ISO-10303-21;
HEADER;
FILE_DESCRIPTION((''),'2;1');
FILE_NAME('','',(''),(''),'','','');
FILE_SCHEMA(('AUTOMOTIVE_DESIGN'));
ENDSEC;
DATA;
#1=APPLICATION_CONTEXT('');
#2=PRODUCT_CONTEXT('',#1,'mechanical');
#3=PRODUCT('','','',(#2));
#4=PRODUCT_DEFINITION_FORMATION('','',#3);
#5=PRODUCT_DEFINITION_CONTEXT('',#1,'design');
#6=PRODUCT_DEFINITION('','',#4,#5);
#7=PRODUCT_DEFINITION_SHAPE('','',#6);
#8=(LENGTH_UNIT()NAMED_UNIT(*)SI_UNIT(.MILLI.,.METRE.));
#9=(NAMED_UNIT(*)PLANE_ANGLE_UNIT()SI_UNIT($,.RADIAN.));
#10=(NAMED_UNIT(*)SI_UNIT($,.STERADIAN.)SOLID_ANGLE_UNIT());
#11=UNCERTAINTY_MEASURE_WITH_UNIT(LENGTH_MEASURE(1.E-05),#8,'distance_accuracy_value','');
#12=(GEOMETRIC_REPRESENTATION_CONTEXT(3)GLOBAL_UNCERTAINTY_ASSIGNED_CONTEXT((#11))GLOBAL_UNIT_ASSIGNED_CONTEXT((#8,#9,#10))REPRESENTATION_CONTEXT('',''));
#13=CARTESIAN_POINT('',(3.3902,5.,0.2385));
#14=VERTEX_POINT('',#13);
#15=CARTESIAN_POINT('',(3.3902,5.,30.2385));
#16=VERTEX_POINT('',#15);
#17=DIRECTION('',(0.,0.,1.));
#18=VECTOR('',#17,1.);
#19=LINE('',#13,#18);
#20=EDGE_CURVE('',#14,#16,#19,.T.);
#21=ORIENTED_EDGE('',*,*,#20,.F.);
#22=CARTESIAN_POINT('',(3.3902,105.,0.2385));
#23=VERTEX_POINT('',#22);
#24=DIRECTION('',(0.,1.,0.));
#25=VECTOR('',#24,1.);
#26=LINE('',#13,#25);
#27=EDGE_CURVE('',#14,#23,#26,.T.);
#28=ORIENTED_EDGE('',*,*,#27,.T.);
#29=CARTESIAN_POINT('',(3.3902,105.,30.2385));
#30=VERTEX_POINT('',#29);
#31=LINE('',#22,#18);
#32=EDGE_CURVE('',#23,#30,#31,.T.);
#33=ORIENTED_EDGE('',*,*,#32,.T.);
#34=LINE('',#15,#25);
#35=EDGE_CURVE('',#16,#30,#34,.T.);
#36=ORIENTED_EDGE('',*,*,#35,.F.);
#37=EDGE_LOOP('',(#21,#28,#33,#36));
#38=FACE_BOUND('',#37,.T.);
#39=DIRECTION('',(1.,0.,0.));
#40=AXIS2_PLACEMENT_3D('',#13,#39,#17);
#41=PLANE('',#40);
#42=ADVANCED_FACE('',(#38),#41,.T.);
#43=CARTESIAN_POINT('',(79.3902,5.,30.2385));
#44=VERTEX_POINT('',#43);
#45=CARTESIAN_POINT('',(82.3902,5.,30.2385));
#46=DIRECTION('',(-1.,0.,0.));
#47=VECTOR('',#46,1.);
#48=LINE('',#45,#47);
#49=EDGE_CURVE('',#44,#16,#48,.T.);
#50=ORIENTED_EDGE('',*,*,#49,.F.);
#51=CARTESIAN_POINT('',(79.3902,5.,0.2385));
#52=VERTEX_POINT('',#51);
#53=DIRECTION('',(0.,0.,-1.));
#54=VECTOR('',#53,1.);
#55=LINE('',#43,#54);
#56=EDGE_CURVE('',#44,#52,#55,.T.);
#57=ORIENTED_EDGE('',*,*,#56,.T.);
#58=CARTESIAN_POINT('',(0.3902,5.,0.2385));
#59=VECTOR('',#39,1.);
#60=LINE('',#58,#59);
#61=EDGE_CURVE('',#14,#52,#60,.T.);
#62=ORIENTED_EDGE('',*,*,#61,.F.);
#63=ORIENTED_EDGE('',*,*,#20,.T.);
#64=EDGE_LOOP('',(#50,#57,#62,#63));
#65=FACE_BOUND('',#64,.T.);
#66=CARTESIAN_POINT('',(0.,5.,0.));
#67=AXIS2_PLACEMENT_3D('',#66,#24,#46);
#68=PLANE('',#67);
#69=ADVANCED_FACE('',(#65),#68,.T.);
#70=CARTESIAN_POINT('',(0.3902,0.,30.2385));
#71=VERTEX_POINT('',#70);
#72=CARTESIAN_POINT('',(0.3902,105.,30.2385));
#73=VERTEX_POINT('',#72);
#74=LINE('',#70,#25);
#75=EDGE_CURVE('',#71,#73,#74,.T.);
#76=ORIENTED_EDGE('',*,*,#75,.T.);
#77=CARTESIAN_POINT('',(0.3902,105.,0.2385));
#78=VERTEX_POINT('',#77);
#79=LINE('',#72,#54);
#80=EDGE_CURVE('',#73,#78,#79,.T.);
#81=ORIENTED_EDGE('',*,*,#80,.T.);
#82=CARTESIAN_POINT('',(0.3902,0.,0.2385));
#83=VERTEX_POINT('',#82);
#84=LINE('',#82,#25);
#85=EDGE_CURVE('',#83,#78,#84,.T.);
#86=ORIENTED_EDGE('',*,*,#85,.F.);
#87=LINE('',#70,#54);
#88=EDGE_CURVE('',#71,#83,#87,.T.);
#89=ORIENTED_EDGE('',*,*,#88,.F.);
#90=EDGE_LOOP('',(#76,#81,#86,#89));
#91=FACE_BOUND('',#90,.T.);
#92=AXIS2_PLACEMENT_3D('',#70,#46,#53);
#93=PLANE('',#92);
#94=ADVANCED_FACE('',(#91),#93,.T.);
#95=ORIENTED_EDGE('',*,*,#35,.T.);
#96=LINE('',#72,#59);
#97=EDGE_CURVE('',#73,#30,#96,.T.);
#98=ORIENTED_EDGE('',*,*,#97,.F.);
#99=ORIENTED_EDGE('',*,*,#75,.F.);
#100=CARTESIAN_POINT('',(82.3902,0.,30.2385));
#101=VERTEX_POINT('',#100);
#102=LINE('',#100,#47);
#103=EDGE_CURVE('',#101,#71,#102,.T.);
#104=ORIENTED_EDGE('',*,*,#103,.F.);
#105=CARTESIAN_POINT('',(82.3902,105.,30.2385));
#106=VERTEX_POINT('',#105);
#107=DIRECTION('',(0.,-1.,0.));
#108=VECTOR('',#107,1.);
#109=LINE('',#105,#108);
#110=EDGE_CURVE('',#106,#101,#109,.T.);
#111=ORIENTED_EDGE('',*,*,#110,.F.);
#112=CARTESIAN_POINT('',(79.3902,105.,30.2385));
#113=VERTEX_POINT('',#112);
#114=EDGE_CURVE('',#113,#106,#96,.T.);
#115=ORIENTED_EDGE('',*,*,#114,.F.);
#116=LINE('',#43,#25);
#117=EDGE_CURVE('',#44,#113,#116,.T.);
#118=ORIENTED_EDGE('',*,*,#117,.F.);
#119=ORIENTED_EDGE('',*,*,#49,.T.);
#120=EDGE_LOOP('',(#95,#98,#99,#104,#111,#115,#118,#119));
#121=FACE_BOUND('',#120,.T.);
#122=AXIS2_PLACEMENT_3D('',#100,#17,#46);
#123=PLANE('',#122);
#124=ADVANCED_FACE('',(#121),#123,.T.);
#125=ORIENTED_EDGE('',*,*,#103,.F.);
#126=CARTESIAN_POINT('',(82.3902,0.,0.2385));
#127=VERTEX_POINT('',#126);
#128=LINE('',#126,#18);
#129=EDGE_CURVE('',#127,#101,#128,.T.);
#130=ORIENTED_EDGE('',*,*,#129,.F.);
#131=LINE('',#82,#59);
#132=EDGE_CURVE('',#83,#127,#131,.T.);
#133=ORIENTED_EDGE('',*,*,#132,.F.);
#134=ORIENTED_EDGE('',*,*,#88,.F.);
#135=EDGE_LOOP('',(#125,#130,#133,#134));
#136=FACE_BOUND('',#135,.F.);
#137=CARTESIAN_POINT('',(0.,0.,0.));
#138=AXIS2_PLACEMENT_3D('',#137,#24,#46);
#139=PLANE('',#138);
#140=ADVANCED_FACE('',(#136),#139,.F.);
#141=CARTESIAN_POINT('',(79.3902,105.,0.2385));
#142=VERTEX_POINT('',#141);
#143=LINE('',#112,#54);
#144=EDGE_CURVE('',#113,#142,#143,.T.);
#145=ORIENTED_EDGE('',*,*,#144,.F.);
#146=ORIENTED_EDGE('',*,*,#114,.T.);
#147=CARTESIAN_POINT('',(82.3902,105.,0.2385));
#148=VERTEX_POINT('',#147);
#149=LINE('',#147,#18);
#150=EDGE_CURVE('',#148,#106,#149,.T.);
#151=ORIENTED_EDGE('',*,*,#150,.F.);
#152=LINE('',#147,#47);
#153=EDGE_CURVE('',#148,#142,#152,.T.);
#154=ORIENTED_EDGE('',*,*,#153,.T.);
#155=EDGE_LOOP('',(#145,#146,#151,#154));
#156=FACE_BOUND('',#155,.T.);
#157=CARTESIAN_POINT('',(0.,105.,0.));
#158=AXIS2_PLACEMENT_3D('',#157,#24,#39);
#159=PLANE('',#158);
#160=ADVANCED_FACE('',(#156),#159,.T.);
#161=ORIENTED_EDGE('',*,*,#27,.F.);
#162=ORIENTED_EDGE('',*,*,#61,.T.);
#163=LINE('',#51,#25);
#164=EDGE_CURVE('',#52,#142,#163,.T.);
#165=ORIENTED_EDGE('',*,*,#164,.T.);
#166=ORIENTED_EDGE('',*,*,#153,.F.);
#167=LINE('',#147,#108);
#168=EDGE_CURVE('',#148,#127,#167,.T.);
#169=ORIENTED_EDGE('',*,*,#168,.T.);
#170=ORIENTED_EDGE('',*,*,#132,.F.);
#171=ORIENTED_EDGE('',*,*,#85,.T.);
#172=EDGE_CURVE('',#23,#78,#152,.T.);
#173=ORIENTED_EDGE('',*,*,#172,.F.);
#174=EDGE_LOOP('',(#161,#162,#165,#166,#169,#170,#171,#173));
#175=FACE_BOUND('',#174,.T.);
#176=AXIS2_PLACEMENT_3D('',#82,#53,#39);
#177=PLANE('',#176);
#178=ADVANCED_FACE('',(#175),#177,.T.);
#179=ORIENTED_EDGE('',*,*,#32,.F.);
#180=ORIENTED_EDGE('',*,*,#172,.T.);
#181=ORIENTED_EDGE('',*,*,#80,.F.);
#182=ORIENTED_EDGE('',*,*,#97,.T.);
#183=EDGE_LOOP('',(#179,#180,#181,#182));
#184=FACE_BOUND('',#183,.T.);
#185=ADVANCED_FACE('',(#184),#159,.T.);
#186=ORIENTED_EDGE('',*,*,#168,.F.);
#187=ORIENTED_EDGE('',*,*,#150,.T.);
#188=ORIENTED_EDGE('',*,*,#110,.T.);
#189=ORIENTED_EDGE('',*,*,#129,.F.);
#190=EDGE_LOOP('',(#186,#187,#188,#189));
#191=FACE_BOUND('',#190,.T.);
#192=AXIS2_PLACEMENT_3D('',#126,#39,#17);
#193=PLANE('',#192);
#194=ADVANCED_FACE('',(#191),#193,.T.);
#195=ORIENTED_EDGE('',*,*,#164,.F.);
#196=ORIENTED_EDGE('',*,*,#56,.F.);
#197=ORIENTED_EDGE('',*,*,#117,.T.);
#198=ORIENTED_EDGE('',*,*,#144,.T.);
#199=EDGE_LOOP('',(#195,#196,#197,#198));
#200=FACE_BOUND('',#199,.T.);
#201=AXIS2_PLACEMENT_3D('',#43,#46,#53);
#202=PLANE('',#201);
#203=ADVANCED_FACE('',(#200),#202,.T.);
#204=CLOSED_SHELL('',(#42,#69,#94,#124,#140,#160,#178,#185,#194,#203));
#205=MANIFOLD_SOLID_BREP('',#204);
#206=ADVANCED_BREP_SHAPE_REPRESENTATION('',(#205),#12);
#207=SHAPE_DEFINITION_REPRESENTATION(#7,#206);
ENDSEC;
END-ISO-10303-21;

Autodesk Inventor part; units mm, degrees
ref_plane "YZ Plane" through (0, 0, 0) normal (1, 0, 0) x (0, 1, 0)
ref_plane "XZ Plane" through (0, 0, 0) normal (0, 1, 0) x (-1, 0, 0)
ref_plane "XY Plane" through (0, 0, 0) normal (0, 0, 1) x (1, 0, 0)
sketch "スケッチ1" plane through (0, 0, 0) normal (0, 1, 0) x (-1, 0, 0)
  line L0 (-0.3902, 0.2385) -> (-82.3902, 0.2385)
  line L1 (-82.3902, 0.2385) -> (-82.3902, 30.2385)
  line L2 (-82.3902, 30.2385) -> (-0.3902, 30.2385)
  line L3 (-0.3902, 30.2385) -> (-0.3902, 0.2385)
  point P0 (0, 0)
  dimension "d0" = 82
  dimension "d1" = 30
extrude "押し出し1" add sketch "スケッチ1" along normal blind 5
sketch "スケッチ2" plane through (0, 5, 0) normal (0, 1, 0) x (1, 0, 0)
  line L0 (82.3902, -0.2385) -> (0.3902, -0.2385) projected
  line L1 (0.3902, -30.2385) -> (82.3902, -30.2385) projected
  line L2 (0.3902, -0.2385) -> (3.3902, -0.2385)
  line L3 (3.3902, -0.2385) -> (3.3902, -30.2385)
  line L4 (3.3902, -30.2385) -> (0.3902, -30.2385)
  line L5 (0.3902, -30.2385) -> (0.3902, -0.2385)
  line L6 (82.3902, -30.2385) -> (79.3902, -30.2385)
  line L7 (79.3902, -30.2385) -> (79.3902, -0.2385)
  line L8 (79.3902, -0.2385) -> (82.3902, -0.2385)
  line L9 (82.3902, -0.2385) -> (82.3902, -30.2385)
  point P0 (0, 0)
  dimension "d4" = 3
  dimension "d5" = 3
extrude "押し出し2" add sketch "スケッチ2" along normal blind 100 contours L9 L1 L7 L0 | L3 L1 L5 L0
properties part number "知能ロボコン大砲５"
